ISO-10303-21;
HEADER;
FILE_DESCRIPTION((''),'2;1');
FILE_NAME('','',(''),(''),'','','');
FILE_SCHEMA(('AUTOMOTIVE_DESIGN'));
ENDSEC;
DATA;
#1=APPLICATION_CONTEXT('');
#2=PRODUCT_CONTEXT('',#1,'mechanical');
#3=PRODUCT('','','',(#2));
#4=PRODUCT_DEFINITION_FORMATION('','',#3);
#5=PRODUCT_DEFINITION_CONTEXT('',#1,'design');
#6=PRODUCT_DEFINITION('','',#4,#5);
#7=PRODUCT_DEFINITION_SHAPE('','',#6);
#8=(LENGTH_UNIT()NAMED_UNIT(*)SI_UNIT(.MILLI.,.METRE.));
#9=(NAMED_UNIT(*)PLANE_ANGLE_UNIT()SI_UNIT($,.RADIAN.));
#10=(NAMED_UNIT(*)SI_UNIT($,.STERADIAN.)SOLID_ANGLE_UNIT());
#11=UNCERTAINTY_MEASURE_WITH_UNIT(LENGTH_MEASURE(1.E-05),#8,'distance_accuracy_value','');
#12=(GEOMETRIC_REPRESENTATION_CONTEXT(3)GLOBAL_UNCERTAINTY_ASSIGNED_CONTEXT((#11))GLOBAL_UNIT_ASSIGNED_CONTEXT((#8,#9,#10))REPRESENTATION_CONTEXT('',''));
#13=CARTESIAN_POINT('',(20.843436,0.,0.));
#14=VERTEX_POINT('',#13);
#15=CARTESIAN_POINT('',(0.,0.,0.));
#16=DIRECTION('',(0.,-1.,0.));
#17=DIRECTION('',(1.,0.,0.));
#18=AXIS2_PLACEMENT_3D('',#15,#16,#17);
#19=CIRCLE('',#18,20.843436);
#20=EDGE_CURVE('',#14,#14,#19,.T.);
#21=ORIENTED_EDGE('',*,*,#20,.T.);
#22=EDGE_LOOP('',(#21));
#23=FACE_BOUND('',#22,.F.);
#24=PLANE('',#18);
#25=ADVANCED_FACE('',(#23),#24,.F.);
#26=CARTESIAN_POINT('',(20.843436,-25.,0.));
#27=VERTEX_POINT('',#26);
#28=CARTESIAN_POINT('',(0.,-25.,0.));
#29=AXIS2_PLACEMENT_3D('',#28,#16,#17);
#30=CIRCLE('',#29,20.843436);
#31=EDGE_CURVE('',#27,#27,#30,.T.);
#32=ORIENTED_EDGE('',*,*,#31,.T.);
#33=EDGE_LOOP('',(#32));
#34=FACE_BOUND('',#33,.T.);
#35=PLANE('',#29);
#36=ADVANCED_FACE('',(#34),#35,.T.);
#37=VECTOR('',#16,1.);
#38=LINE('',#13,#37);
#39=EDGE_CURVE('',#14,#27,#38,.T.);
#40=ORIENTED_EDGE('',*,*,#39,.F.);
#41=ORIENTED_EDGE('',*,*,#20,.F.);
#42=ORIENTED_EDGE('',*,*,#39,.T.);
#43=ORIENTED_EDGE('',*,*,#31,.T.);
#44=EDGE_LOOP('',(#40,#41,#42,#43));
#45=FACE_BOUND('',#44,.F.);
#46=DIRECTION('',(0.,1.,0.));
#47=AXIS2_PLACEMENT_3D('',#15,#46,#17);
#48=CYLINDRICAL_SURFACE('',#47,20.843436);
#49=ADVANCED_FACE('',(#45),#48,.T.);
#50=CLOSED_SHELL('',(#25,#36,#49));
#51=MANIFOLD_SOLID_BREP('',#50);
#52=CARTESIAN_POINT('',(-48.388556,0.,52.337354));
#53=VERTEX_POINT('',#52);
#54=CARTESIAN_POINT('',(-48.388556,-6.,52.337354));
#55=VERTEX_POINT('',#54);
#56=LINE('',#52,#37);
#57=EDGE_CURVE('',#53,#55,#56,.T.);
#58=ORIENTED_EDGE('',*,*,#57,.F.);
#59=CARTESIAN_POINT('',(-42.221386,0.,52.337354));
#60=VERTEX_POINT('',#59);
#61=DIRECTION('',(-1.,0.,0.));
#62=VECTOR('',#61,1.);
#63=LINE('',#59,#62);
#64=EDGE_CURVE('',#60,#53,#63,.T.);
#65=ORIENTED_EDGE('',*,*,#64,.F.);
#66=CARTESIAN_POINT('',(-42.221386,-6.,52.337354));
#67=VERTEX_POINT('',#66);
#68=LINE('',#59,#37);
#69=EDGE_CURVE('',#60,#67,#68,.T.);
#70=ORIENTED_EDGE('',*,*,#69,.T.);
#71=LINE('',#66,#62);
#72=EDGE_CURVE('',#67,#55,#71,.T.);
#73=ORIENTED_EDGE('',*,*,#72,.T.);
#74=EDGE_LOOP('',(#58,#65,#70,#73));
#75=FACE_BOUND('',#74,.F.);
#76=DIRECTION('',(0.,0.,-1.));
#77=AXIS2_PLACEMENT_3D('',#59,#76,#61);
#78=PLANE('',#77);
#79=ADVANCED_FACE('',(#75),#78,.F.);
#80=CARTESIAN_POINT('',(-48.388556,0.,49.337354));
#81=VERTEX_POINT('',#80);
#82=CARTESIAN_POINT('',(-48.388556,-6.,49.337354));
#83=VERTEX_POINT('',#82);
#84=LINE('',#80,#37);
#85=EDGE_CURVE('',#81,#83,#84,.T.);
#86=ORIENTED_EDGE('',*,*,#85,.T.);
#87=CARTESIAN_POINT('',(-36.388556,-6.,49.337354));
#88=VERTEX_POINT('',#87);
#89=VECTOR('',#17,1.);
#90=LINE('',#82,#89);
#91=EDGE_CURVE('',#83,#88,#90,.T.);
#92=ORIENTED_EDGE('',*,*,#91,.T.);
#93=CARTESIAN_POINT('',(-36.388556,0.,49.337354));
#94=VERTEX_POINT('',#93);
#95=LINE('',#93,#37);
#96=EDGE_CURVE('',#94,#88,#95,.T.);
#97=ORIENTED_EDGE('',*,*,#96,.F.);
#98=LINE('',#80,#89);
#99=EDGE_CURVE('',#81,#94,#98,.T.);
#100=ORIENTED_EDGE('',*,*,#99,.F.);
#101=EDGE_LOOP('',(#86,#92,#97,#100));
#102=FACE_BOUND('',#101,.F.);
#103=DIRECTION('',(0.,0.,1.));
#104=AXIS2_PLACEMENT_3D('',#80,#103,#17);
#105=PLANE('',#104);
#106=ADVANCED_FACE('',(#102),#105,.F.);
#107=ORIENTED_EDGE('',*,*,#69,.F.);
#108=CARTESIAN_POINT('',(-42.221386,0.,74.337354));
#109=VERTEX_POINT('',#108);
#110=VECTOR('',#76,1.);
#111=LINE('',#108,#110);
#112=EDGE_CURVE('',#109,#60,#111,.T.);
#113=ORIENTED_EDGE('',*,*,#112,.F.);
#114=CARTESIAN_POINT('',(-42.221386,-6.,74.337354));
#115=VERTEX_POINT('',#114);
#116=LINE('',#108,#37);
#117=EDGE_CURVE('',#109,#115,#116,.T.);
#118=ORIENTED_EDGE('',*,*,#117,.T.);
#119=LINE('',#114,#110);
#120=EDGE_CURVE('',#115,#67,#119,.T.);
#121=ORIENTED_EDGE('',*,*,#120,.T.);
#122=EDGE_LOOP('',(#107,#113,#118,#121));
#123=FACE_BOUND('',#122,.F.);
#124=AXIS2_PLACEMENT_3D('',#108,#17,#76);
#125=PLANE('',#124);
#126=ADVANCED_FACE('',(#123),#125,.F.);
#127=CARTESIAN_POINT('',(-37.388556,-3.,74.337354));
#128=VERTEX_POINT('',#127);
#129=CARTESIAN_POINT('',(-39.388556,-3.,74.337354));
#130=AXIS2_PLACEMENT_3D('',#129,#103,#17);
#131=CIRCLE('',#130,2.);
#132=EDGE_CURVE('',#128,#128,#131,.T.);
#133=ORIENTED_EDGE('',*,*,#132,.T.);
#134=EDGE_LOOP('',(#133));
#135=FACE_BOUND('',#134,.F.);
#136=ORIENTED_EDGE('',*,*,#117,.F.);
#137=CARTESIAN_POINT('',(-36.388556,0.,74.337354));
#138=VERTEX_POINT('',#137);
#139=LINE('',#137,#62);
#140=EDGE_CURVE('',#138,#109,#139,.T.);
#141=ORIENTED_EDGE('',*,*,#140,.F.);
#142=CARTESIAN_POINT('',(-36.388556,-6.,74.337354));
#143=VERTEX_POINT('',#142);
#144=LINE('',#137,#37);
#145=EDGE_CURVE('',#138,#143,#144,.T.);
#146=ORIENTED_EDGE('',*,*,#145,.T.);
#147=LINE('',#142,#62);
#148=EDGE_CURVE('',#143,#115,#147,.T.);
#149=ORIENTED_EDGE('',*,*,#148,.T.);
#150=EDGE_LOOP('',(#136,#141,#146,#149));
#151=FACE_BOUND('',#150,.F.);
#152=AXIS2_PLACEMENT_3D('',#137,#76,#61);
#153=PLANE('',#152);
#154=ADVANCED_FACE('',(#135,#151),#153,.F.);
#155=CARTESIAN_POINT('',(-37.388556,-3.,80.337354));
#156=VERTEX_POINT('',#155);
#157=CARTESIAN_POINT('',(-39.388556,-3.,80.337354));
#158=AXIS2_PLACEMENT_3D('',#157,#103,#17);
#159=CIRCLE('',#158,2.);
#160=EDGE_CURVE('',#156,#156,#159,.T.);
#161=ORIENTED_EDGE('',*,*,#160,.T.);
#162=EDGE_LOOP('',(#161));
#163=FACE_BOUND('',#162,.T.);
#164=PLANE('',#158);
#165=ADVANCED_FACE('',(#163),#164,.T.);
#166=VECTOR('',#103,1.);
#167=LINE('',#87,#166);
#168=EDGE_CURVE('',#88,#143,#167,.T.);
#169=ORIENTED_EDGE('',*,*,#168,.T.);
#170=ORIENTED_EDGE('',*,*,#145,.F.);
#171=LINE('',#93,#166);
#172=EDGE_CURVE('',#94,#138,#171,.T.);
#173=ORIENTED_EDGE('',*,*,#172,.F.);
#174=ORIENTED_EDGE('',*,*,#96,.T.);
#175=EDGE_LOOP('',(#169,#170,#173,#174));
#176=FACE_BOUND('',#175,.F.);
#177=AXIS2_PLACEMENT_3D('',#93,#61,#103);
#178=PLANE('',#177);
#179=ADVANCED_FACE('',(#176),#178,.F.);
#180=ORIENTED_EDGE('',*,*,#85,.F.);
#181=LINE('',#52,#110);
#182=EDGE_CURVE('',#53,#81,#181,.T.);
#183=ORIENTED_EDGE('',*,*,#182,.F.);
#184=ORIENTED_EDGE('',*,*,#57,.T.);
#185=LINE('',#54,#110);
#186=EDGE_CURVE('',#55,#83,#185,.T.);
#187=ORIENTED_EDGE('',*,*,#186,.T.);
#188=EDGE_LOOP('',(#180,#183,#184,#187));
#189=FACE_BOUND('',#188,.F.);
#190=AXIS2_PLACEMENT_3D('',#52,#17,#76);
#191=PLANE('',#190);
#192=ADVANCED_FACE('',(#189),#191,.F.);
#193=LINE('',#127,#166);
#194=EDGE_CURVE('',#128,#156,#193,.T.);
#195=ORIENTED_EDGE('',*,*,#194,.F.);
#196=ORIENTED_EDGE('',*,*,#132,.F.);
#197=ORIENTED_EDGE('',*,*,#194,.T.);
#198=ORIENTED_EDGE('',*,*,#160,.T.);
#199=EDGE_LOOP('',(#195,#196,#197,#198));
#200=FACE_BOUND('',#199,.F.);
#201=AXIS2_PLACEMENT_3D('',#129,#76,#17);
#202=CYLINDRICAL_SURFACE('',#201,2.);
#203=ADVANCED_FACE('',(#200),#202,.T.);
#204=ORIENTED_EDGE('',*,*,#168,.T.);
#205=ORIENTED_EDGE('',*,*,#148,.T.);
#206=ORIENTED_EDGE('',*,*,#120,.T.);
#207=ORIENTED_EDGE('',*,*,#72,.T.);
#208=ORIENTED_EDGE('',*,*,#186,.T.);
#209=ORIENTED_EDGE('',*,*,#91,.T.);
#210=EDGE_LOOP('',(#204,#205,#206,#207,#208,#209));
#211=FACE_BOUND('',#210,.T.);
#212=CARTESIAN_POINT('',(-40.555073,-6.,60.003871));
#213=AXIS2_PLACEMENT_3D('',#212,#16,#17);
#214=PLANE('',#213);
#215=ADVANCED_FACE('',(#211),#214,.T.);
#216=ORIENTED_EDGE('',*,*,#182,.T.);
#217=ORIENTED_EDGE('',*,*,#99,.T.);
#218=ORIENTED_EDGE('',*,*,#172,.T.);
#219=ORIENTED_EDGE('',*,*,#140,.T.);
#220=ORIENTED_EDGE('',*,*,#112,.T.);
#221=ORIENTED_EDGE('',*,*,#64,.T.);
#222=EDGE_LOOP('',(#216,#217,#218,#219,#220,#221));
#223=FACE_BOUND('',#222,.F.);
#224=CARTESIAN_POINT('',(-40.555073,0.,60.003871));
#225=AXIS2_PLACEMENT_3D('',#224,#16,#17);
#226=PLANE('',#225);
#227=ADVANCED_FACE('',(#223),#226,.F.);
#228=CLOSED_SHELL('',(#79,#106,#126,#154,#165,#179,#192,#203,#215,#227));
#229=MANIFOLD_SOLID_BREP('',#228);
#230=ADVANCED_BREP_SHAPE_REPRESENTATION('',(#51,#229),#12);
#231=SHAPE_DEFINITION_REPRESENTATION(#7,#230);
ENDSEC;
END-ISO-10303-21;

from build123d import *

# Parameters (mm, degrees)
F0_R     = 20.843436
F1_DEPTH = 25
F3_DEPTH = 6
F4_R     = 2
F5_DEPTH = 6


with BuildPart() as f1:
    # F0 (on Front) → F1 (new body)
    with BuildSketch(Plane.XZ):
        Circle(F0_R)
    extrude(amount=F1_DEPTH)


with BuildPart() as f3:
    # F2 (on Front) → F3 (new body)
    with BuildSketch(Plane.XZ):
        Polygon((-36.388556, 49.337354), (-36.388556, 74.337354), (-42.221386, 74.337354), (-42.221386, 52.337354), (-48.388556, 52.337354), (-48.388556, 49.337354), align=None)
    extrude(amount=F3_DEPTH)

    # F4 (on face) → F5 (join)
    with BuildSketch(Plane.XY.offset(74.337354)):
        with Locations((-39.388556, -3)):
            Circle(F4_R)
    extrude(amount=F5_DEPTH)


solid = Compound([f1.part, f3.part])
